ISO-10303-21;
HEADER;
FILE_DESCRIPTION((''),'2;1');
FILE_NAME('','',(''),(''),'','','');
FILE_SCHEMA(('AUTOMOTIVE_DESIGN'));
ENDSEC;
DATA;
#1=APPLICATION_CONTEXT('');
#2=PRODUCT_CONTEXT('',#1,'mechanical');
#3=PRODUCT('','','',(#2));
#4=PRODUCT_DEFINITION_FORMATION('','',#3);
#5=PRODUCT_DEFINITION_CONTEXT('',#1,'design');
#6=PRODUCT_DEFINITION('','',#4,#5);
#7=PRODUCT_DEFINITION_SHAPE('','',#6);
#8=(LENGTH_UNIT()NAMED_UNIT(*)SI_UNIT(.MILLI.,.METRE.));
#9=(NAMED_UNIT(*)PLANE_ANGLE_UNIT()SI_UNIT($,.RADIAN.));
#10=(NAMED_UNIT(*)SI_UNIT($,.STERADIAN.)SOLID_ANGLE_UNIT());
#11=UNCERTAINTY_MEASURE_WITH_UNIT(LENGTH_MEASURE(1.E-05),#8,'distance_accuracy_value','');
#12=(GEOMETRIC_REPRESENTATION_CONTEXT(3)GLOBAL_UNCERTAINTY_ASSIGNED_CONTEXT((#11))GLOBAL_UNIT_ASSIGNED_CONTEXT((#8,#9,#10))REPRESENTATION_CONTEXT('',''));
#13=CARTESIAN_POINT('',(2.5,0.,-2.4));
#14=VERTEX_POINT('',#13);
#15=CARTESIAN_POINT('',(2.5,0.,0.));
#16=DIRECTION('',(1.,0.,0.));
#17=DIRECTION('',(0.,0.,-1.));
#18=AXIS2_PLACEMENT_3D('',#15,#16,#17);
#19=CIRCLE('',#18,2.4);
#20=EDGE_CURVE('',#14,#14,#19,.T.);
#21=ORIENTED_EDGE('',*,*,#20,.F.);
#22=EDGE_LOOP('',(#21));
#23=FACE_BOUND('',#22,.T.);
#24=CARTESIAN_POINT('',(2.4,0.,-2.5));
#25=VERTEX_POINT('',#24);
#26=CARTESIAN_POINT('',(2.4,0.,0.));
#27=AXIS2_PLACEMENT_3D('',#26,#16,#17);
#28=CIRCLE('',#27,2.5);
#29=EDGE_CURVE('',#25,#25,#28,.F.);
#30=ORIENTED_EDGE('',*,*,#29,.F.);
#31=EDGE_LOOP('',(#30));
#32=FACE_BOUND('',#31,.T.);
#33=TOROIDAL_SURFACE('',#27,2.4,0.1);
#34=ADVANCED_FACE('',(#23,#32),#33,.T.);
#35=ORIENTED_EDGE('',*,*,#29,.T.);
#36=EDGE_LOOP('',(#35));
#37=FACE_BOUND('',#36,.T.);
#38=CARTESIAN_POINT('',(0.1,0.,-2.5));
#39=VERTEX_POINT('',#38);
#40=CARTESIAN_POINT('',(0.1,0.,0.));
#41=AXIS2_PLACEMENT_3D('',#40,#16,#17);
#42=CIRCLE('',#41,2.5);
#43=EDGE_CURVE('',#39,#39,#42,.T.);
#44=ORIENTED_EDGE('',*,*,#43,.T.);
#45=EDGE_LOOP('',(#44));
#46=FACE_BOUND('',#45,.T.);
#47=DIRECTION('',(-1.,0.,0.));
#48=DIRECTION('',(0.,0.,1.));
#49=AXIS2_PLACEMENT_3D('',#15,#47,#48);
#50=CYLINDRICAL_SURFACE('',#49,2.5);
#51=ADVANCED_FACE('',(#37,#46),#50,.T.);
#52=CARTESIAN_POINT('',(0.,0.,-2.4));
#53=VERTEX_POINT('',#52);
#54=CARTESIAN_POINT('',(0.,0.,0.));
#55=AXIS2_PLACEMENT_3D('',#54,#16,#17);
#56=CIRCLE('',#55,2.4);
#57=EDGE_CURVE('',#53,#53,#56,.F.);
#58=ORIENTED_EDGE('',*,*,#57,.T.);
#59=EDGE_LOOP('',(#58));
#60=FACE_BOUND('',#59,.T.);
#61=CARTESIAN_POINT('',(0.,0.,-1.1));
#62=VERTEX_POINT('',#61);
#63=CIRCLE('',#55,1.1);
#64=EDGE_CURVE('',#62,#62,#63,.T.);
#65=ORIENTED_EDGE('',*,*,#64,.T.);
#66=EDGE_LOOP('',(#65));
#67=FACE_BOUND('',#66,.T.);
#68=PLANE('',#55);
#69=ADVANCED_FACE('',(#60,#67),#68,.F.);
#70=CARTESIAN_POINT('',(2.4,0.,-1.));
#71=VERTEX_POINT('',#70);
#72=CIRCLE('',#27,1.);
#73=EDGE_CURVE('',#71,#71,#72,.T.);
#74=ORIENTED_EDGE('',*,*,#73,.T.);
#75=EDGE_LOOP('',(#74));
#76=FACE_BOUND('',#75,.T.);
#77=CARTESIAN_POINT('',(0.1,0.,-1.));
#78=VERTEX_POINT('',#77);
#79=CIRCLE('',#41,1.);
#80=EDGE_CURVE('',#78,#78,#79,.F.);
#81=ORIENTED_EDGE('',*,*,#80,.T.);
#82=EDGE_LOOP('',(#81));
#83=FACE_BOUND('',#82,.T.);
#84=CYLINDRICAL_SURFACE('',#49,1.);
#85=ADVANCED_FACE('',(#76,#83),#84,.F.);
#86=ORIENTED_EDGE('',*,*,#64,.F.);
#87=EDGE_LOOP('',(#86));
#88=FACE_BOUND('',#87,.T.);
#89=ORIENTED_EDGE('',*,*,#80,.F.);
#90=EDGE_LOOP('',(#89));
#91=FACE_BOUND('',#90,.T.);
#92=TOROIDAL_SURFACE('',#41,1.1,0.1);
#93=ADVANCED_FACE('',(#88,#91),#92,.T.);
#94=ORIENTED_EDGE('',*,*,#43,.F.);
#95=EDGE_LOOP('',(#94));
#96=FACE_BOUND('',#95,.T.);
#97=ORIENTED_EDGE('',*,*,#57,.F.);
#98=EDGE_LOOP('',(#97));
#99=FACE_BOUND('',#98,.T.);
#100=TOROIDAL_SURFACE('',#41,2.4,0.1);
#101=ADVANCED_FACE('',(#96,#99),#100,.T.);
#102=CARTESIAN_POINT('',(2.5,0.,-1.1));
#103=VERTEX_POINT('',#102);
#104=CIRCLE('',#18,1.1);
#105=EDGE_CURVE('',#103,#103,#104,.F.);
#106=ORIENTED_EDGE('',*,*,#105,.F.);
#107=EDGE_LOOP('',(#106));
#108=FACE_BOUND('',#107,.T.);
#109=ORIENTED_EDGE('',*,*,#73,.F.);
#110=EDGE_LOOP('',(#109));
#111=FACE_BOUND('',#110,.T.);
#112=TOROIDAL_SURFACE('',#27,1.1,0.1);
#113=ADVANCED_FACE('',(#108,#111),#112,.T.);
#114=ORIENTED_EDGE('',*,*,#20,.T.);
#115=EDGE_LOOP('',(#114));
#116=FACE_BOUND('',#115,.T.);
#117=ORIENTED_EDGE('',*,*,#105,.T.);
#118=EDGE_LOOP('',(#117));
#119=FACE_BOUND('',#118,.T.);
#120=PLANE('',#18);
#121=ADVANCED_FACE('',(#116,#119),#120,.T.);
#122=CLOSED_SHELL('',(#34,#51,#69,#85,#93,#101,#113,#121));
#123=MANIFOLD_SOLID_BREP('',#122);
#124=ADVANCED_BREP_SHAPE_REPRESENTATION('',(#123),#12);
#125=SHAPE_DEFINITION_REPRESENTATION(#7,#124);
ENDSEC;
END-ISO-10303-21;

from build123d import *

# Parameters (mm, degrees)
SKETCH1_R           = 2.5
SKETCH1_R_2         = 1
BOSS_EXTRUDE1_DEPTH = 2.5
FILLET1_R           = 0.1
FILLET2_R           = 0.1
FILLET3_R           = 0.1
FILLET4_R           = 0.1


with BuildPart() as part:
    # Sketch1 → Boss-Extrude1 (new body)
    with BuildSketch(Plane(origin=(0, 0, 0), x_dir=(0, 0, -1), z_dir=(1, 0, 0))):
        Circle(SKETCH1_R)
        Circle(SKETCH1_R_2, mode=Mode.SUBTRACT)
    extrude(amount=BOSS_EXTRUDE1_DEPTH)

    # Fillet1
    fillet1_edges = [part.edges().sort_by_distance(p)[0] for p in [
        (2.5, 0, 2.5),
    ]]
    fillet(fillet1_edges, radius=FILLET1_R)

    # Fillet2
    fillet2_edges = [part.edges().sort_by_distance(p)[0] for p in [
        (2.5, 0, 1),
    ]]
    fillet(fillet2_edges, radius=FILLET2_R)

    # Fillet3
    fillet3_edges = [part.edges().sort_by_distance(p)[0] for p in [
        (0, 0, 2.5),
    ]]
    fillet(fillet3_edges, radius=FILLET3_R)

    # Fillet4
    fillet4_edges = [part.edges().sort_by_distance(p)[0] for p in [
        (0, 0, 1),
    ]]
    fillet(fillet4_edges, radius=FILLET4_R)


solid = part.part
